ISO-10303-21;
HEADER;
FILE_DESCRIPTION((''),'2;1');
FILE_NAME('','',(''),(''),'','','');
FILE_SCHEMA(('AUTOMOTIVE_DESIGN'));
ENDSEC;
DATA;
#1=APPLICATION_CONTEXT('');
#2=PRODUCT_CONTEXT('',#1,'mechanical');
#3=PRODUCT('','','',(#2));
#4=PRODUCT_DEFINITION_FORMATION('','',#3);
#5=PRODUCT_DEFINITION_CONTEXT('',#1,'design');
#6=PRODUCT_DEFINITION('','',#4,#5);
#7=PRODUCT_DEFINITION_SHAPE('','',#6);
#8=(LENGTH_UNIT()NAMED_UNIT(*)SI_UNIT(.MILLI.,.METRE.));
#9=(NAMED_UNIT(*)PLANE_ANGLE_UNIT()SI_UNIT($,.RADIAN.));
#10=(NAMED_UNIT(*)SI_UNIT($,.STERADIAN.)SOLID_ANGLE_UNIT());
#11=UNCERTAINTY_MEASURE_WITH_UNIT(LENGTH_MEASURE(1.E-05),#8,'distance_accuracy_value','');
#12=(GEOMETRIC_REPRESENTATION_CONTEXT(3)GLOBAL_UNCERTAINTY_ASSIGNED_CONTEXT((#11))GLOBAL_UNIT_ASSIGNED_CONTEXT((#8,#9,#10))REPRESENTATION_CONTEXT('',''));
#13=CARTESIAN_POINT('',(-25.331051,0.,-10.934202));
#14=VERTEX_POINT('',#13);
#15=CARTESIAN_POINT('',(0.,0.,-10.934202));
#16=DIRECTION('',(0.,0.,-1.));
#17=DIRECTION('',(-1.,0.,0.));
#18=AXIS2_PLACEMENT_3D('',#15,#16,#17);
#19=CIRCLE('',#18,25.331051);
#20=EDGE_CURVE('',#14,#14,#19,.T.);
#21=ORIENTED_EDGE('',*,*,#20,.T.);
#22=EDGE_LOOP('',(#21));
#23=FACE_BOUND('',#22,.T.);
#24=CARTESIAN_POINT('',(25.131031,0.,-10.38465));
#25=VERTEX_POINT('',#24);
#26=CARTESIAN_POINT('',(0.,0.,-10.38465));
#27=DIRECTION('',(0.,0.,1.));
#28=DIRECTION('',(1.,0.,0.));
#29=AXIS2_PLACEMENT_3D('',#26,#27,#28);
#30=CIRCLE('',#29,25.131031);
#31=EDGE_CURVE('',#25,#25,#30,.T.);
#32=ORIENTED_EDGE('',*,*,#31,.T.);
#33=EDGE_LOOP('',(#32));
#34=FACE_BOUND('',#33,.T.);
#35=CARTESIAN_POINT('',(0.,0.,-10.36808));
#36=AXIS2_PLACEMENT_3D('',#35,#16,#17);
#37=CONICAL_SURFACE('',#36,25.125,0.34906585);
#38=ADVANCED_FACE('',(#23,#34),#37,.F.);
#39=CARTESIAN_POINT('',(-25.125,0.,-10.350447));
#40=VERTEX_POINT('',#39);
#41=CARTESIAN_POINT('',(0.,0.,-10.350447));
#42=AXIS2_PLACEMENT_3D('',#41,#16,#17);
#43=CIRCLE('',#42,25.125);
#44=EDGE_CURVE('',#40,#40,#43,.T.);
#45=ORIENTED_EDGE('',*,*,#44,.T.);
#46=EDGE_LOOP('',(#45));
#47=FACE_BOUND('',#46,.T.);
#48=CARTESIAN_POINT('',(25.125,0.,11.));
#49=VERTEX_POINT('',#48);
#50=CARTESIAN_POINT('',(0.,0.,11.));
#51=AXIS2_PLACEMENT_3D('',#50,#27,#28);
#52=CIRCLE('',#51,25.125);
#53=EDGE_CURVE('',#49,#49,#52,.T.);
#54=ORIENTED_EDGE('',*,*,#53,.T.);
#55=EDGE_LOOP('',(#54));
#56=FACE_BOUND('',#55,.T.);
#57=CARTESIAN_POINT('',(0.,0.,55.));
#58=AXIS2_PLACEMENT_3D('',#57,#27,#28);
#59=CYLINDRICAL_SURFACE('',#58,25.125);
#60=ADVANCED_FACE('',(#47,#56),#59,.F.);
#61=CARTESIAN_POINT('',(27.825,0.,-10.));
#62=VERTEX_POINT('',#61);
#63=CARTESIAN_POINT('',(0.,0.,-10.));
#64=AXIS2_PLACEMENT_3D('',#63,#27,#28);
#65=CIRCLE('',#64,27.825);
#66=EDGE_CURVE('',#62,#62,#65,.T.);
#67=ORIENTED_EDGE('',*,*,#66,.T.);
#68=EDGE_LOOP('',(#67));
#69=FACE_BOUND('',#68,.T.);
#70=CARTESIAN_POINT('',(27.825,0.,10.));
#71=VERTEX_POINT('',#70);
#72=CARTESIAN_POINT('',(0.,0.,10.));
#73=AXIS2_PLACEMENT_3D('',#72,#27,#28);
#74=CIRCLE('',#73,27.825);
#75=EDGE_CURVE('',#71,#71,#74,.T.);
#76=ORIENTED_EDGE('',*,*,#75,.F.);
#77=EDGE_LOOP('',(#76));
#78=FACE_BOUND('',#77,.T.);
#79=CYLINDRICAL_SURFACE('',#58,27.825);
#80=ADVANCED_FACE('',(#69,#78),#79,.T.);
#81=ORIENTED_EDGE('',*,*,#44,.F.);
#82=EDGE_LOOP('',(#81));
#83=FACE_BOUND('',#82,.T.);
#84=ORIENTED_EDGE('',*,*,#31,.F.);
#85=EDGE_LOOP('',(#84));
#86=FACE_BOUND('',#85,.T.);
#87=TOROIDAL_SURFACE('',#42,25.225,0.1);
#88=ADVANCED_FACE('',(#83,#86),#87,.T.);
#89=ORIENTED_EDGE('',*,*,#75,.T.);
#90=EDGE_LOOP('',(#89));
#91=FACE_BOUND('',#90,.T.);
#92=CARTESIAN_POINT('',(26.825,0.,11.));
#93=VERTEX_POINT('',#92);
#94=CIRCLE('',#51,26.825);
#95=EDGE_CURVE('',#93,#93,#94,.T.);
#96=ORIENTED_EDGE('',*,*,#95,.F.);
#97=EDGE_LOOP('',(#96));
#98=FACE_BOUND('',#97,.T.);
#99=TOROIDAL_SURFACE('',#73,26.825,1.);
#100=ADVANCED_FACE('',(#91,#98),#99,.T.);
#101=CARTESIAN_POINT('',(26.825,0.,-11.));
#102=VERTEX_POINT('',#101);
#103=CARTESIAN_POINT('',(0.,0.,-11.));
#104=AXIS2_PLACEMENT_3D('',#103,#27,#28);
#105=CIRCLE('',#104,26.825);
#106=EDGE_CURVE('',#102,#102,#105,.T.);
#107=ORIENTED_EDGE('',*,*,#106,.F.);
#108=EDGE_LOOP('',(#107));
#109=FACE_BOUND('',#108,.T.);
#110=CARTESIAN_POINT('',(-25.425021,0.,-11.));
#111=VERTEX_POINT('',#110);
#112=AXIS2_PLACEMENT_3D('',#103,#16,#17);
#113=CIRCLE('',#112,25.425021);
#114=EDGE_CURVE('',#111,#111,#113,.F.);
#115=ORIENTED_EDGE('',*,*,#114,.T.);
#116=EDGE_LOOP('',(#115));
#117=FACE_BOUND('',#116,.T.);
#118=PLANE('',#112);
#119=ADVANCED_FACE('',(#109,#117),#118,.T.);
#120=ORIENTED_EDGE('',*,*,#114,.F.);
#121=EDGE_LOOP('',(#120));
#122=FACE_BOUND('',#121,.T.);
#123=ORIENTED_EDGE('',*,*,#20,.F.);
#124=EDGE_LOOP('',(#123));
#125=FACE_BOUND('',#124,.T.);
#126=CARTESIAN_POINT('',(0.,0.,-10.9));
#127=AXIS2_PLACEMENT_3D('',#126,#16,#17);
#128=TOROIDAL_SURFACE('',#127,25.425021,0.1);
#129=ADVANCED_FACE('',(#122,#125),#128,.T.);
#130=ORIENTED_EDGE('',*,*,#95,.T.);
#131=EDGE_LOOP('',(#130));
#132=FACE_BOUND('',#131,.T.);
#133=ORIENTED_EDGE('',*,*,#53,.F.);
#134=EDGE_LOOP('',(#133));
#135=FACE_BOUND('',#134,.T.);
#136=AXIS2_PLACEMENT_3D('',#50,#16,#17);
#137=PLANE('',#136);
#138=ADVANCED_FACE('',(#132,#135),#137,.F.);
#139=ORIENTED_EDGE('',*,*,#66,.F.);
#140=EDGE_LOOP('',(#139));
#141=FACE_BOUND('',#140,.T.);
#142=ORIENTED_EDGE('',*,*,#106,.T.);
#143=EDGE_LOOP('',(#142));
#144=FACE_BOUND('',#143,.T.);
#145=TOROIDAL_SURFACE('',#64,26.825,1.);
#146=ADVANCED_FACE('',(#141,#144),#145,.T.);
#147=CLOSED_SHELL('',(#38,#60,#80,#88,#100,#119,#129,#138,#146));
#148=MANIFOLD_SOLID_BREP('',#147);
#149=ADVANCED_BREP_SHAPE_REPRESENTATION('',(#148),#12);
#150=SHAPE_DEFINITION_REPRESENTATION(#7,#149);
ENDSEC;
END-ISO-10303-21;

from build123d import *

# Parameters (mm, degrees)
FILLET1_R = 0.1


with BuildPart() as part:
    # Sketch1 → Revolve1 (revolve)
    with BuildSketch(Plane(origin=(0, 0, 0), x_dir=(0, 0, -1), z_dir=(1, 0, 0)), mode=Mode.PRIVATE) as revolve1_sk:
        with BuildLine():
            Line((10, 27.825), (-10, 27.825))
            ThreePointArc((-10, 27.825), (-10.707106781, 27.532106781), (-11, 26.825))
            Line((-11, 26.825), (-11, 25.125))
            Line((-11, 25.125), (10.368080194, 25.125))
            Line((10.368080194, 25.125), (11, 25.355))
            Line((11, 25.355), (11, 26.825))
            ThreePointArc((11, 26.825), (10.707106781, 27.532106781), (10, 27.825))
        make_face()
    revolve(revolve1_sk.sketch.rotate(Axis((0, 0, 55), (0, 0, -1)), 90), axis=Axis((0, 0, 55), (0, 0, -1)))

    # Fillet1
    fillet1_edges = [part.edges().sort_by_distance(p)[0] for p in [
        (-25.355, 0, -11),
        (-25.125, 0, -10.368080194),
    ]]
    fillet(fillet1_edges, radius=FILLET1_R)


solid = part.part
